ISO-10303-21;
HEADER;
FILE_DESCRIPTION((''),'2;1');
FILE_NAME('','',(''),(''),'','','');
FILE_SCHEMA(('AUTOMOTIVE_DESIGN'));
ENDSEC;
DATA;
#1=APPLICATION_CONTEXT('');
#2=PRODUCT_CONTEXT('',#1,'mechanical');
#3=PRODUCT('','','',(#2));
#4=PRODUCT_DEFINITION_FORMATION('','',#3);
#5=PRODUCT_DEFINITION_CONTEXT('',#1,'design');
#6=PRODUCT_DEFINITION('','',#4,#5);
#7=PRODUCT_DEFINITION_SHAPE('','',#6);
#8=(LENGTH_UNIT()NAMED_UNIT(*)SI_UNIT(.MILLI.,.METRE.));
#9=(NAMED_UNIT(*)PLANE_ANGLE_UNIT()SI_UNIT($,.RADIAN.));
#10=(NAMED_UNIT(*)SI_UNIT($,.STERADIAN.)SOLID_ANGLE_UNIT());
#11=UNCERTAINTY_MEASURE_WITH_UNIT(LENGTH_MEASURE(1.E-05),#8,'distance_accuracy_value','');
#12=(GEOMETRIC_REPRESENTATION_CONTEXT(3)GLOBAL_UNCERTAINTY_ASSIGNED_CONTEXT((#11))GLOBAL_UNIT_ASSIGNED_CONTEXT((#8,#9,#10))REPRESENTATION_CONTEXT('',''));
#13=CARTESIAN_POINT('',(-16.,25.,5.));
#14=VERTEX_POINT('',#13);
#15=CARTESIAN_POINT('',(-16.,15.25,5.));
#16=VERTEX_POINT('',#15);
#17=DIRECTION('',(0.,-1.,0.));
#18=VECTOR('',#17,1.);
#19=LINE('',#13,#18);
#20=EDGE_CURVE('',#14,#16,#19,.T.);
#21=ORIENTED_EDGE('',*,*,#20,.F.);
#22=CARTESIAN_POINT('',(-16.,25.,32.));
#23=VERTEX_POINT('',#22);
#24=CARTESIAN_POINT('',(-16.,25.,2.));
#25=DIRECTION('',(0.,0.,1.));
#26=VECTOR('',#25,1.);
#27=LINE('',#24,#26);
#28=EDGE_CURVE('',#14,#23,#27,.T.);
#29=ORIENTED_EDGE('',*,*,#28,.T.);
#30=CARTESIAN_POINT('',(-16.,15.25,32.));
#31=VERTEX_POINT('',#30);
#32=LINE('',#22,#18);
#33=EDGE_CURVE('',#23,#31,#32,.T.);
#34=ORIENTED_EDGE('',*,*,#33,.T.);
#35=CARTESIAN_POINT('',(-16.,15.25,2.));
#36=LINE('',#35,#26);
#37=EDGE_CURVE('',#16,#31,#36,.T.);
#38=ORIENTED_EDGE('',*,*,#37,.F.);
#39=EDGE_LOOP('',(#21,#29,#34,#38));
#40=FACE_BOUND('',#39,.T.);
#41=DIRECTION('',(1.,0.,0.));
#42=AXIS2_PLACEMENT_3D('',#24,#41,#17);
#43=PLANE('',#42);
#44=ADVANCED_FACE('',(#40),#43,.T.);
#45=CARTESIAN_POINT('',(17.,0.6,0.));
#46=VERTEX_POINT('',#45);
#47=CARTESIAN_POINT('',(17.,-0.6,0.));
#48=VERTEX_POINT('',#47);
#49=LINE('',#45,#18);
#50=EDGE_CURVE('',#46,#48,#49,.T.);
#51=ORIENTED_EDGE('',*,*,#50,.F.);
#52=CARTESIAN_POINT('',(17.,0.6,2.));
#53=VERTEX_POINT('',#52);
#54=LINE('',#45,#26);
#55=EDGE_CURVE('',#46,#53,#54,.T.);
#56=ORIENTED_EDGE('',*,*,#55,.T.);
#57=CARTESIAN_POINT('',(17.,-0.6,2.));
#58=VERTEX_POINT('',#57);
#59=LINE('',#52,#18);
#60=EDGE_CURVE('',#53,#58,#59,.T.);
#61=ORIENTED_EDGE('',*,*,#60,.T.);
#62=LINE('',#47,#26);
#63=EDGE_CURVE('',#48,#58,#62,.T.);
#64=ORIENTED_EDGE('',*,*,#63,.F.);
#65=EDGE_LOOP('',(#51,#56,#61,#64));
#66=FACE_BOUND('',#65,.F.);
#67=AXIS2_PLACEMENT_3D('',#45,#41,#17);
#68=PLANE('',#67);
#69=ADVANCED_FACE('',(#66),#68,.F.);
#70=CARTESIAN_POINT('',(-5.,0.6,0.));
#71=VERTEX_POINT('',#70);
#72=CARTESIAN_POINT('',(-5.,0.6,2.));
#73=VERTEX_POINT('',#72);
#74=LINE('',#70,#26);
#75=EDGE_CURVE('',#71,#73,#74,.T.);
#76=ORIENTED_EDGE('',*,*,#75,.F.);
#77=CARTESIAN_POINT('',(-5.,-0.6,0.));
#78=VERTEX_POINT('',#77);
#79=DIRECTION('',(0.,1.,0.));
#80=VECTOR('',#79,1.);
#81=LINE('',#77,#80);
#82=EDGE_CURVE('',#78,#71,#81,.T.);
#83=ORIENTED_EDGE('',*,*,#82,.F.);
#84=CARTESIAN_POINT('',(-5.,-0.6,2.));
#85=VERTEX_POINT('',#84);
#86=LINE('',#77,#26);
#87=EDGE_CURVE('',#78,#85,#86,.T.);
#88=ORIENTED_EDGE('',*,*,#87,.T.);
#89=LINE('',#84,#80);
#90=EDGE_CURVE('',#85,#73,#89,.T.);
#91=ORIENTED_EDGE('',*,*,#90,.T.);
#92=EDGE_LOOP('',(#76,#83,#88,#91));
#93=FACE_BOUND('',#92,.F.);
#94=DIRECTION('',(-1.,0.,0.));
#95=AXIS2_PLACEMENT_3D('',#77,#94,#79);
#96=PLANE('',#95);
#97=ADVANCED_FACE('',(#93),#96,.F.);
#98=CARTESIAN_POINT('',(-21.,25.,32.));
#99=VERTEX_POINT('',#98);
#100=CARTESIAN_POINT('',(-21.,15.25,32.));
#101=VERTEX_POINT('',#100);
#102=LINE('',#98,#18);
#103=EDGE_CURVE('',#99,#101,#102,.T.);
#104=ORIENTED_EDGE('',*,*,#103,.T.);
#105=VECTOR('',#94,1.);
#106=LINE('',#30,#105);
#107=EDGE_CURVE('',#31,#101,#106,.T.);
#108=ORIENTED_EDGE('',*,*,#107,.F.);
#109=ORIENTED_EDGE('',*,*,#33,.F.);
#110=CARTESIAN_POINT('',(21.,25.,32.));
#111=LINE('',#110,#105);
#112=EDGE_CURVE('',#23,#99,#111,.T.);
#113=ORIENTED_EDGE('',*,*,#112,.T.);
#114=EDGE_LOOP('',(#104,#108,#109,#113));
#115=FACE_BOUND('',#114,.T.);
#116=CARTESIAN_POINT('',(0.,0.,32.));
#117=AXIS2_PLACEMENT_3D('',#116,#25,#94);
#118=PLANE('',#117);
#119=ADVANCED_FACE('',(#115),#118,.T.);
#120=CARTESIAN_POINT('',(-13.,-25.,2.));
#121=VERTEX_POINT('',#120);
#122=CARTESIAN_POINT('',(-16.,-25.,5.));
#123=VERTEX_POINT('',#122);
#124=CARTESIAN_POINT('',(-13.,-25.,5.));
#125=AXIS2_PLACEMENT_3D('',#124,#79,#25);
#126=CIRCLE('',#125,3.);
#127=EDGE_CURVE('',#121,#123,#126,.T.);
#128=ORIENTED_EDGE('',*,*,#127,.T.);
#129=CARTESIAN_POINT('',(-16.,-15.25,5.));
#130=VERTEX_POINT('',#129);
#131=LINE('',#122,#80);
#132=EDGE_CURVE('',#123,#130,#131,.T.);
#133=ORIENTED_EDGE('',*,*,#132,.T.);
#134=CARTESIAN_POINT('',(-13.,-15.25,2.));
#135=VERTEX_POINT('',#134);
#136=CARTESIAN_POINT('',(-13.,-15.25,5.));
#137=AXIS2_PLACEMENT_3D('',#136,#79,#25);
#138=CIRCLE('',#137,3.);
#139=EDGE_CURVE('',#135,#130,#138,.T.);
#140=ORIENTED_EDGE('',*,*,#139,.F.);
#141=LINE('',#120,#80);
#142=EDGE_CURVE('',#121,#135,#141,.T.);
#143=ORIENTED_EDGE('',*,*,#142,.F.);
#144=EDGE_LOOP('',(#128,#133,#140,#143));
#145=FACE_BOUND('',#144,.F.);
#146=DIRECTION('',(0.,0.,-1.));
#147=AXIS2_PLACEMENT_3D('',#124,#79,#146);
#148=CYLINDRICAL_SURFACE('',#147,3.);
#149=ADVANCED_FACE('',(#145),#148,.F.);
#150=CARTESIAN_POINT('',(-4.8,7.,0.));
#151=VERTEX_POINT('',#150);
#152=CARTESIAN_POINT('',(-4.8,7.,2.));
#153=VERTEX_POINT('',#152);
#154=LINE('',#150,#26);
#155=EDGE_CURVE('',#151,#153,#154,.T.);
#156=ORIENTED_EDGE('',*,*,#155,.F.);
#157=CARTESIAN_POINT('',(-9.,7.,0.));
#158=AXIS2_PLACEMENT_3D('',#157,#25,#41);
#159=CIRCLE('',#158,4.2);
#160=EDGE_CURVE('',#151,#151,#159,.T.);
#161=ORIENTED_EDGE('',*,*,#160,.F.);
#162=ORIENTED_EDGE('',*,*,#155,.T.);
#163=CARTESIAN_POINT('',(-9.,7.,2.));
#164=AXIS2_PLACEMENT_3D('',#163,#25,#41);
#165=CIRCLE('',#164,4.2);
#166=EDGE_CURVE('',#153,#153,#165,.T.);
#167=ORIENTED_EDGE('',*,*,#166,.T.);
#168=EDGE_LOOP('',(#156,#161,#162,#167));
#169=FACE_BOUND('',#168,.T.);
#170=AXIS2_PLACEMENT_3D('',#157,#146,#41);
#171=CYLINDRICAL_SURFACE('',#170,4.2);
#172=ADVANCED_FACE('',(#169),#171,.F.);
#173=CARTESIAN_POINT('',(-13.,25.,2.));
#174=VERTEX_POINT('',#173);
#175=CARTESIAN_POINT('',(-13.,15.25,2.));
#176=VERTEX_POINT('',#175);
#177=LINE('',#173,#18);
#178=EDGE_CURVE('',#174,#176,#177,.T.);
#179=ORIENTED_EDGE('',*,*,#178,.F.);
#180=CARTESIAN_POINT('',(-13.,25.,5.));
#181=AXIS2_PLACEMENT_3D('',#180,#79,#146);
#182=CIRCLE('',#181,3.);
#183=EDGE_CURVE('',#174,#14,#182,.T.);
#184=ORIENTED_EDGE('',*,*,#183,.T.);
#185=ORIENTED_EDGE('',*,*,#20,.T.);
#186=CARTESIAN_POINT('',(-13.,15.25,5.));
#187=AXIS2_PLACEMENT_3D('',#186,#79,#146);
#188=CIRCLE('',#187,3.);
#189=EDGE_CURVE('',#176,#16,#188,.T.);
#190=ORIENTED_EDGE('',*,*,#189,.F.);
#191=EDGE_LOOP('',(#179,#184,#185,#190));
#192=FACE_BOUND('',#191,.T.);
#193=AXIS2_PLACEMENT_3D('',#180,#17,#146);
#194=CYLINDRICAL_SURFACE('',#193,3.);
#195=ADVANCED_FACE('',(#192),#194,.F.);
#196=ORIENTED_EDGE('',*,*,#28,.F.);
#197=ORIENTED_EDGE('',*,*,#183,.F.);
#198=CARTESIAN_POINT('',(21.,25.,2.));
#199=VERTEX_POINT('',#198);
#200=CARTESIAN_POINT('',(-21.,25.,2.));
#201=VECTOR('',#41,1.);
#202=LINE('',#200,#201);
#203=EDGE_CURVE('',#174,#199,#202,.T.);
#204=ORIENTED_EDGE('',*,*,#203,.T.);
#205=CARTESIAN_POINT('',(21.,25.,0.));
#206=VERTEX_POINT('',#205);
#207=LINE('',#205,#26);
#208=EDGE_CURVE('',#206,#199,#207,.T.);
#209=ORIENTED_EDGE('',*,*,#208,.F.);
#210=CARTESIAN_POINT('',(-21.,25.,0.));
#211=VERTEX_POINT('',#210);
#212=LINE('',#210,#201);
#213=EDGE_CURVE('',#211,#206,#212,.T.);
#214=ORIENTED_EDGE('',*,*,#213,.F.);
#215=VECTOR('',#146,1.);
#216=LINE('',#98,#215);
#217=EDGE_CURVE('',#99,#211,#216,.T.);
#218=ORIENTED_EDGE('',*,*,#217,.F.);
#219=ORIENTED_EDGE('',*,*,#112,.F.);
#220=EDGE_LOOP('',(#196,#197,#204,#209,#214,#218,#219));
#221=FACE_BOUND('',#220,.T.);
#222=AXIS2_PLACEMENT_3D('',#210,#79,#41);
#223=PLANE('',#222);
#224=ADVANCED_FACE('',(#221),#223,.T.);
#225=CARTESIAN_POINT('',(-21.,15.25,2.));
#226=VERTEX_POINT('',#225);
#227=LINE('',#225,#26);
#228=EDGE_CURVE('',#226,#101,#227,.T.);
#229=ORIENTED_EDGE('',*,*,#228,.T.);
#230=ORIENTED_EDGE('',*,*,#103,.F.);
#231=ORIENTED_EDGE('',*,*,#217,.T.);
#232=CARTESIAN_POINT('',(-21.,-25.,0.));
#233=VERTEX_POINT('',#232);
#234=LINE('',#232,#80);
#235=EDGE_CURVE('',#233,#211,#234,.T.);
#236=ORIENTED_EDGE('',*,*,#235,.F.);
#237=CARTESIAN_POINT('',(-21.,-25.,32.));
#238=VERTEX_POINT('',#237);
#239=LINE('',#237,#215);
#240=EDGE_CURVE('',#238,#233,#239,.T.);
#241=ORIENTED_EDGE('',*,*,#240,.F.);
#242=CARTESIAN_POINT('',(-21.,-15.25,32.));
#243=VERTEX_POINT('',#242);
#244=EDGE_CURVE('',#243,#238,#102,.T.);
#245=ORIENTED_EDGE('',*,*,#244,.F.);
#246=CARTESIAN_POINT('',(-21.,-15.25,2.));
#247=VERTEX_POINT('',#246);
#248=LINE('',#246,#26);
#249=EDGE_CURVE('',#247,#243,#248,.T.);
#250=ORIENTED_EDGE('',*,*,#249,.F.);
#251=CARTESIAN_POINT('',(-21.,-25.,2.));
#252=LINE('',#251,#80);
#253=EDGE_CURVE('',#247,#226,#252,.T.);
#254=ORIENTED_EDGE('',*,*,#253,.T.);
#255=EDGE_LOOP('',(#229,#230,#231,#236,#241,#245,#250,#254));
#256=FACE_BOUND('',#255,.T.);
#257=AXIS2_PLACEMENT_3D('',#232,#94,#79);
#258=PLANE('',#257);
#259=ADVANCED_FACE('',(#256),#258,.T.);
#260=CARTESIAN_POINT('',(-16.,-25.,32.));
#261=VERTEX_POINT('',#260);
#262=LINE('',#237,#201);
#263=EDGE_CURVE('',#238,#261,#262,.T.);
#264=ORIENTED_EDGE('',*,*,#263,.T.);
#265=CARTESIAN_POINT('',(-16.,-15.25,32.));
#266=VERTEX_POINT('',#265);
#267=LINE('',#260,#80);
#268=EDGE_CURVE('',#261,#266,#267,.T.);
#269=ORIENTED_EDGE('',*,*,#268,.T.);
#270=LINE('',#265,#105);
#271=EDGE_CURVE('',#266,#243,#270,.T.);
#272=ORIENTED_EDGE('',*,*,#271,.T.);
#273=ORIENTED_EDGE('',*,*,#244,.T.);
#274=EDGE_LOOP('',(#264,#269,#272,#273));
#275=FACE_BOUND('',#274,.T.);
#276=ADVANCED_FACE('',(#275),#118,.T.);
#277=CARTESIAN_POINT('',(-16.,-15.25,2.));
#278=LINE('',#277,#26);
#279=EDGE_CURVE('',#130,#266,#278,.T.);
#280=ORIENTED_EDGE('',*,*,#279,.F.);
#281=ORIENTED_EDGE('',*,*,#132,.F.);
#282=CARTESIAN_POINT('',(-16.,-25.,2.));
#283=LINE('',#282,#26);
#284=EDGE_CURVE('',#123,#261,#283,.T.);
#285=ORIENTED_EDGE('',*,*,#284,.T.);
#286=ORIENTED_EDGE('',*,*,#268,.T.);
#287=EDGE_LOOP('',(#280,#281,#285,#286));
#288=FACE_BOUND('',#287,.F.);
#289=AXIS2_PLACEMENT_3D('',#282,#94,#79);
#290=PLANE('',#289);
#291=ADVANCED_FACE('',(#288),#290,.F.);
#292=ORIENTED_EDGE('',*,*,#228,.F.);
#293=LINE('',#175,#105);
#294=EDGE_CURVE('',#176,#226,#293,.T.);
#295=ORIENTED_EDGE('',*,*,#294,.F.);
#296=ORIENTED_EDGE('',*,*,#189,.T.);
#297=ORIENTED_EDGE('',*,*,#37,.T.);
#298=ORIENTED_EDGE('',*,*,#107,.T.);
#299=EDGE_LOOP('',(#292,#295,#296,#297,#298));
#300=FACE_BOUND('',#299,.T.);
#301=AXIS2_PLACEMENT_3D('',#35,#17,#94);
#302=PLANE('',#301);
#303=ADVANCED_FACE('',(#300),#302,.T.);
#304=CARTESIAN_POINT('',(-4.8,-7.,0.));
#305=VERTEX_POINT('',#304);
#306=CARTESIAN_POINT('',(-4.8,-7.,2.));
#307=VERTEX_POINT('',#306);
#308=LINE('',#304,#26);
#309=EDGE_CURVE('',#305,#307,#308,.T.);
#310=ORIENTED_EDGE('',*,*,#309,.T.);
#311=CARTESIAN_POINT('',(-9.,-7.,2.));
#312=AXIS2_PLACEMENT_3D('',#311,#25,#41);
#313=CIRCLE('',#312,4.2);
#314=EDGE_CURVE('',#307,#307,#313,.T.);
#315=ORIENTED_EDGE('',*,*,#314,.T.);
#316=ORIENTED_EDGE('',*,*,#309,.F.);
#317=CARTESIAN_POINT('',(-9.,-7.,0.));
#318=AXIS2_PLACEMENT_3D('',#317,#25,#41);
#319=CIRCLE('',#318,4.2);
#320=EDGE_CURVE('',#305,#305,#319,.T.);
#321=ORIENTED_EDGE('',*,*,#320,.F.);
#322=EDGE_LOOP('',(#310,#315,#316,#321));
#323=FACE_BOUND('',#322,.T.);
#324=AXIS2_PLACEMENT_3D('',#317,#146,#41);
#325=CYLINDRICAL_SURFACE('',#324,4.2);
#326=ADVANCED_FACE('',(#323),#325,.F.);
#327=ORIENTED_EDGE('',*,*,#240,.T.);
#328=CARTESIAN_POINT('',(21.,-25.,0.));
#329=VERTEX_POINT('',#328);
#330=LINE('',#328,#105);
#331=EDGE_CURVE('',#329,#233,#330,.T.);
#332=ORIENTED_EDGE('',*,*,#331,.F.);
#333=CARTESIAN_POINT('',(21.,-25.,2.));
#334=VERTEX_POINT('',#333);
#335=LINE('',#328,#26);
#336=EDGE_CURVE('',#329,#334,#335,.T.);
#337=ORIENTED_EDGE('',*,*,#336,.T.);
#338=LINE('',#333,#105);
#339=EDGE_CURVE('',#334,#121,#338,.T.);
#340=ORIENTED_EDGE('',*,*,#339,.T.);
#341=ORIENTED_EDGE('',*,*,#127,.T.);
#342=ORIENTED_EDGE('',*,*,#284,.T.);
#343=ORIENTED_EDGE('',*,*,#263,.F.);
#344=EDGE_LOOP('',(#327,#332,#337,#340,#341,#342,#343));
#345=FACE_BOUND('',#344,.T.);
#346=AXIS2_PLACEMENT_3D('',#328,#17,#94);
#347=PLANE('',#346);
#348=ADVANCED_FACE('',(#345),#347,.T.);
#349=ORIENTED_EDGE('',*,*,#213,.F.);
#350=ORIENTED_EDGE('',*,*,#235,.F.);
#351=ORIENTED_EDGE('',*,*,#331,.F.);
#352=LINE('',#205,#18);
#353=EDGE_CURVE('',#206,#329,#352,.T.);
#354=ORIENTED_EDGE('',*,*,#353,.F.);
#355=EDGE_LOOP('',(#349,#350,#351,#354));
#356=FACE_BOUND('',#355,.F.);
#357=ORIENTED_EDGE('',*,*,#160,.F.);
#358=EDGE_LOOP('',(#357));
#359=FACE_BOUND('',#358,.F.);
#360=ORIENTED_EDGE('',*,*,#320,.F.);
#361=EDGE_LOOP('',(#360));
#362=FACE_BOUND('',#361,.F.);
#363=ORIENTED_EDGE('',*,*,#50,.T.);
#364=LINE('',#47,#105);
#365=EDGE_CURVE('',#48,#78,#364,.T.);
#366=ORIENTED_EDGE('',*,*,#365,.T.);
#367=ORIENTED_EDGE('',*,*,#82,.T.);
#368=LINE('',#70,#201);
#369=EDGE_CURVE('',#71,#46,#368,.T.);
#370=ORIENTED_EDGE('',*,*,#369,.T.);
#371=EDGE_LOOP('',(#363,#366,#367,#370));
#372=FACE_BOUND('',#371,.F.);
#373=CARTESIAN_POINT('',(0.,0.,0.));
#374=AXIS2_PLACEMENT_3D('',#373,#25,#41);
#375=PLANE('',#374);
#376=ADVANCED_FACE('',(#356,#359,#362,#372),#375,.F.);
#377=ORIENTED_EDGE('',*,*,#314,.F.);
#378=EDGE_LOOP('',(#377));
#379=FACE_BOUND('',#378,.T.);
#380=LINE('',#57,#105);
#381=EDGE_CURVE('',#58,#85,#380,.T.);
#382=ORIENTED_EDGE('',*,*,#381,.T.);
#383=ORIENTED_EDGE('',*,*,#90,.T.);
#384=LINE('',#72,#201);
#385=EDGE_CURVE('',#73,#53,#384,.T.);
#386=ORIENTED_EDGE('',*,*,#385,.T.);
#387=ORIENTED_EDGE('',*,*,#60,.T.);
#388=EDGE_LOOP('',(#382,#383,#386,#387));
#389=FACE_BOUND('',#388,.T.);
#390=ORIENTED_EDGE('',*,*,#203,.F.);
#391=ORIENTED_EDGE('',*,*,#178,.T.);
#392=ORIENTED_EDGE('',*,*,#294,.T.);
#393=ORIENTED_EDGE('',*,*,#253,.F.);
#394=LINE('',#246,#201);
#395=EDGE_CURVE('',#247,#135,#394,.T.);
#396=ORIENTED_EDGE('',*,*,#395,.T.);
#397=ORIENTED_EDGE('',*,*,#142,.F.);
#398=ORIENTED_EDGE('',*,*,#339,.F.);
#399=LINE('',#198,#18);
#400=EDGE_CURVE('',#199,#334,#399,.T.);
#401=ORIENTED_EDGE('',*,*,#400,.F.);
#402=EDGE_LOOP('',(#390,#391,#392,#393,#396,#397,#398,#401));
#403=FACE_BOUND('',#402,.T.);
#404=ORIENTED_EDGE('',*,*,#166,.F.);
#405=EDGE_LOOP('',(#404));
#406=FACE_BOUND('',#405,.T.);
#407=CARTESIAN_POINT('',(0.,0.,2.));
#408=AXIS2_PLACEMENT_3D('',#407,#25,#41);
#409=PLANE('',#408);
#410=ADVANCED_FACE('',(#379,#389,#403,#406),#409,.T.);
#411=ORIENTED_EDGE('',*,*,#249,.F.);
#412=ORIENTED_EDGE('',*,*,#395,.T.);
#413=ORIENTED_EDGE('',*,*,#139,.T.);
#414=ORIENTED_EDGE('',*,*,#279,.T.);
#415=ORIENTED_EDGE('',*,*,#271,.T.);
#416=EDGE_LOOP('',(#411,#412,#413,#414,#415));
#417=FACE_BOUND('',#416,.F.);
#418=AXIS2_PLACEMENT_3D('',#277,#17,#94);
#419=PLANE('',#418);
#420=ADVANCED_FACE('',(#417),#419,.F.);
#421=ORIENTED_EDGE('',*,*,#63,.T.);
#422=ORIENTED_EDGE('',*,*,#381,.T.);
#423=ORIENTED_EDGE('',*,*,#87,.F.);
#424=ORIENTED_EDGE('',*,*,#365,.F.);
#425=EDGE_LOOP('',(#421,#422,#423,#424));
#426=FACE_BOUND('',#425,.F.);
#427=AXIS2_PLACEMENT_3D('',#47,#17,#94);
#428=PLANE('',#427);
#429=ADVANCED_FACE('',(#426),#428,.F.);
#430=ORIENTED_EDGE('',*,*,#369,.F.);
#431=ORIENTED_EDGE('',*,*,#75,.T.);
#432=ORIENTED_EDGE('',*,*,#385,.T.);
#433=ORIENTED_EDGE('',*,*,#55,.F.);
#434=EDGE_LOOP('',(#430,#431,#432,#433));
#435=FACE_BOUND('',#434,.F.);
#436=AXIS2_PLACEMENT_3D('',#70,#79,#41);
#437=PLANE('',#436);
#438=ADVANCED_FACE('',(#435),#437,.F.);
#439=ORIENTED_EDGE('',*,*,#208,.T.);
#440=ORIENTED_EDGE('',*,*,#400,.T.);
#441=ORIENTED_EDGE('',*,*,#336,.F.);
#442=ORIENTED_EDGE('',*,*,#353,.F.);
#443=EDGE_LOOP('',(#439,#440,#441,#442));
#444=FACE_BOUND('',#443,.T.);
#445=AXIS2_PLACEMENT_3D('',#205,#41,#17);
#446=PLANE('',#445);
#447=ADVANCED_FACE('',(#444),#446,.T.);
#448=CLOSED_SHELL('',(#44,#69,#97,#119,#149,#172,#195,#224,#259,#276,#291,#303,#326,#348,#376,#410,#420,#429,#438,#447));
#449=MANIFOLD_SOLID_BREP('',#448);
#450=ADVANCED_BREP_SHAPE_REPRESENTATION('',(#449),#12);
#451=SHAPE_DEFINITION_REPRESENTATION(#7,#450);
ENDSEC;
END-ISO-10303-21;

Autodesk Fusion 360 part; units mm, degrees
sketch "Sketch1" plane through (0, 0, 0) normal (0, 0, 1) x (1, 0, 0)
  line L0 (21, -25) -> (-21, -25)
  line L1 (-21, -25) -> (-21, 25)
  line L2 (-21, 25) -> (21, 25)
  line L3 (21, 25) -> (21, -25)
  line L4 (21, -25) -> (-21, 25) construction
  line L5 (-21, -25) -> (21, 25) construction
  line L6 (-21, 0) -> (-9, 0) construction
  line L7 (-9, 0) -> (-9, -7) construction
  line L8 (-9, -7) -> (-21, -7) construction
  line L9 (-21, -7) -> (-21, 0) construction
  line L10 (-21, 0) -> (-9, 0) construction
  line L11 (-9, 0) -> (-9, 7) construction
  line L12 (-9, 7) -> (-21, 7) construction
  line L13 (-21, 7) -> (-21, 0) construction
  circle A0 centre (-9, 7) radius 4.2
  circle A1 centre (-9, -7) radius 4.2
  line L14 (-21, 0) -> (6, 0) construction
  line L15 (17, -0.6) -> (-5, -0.6)
  line L16 (-5, -0.6) -> (-5, 0.6)
  line L17 (-5, 0.6) -> (17, 0.6)
  line L18 (17, 0.6) -> (17, -0.6)
  line L19 (17, -0.6) -> (-5, 0.6) construction
  line L20 (-5, -0.6) -> (17, 0.6) construction
  point P0 (6, 0)
  dimension "d1" = 42
  dimension "d2" = 50
  dimension "d3" = 12
  dimension "d4" = 7
  dimension "d5" = 12
  dimension "d6" = 7
  dimension "d7" = 8.4
  dimension "d8" = 8.4
  dimension "d9" = 27
  dimension "d10" = 22
  dimension "d11" = 1.2
extrude "Extrude1" add sketch "Sketch1" along normal blind 2 makes body 1
sketch "Sketch2" plane through (0, 0, 2) normal (0, 0, 1) x (-1, 0, 0)
  line L0 (5, -0.6) -> (-17, -0.6)
  line L1 (-17, -0.6) -> (-17, 0.6)
  line L2 (-17, 0.6) -> (5, 0.6)
  line L3 (5, 0.6) -> (5, -0.6)
  circle A0 centre (9, 7) radius 4.2
  circle A1 centre (9, -7) radius 4.2
  line L4 (-21, -25) -> (21, -25)
  line L5 (21, -25) -> (21, 25)
  line L6 (21, 25) -> (-21, 25)
  line L7 (-21, 25) -> (-21, -25)
  line L8 (21, -25) -> (16, -25)
  line L9 (16, -25) -> (16, -15.25)
  line L10 (16, -15.25) -> (21, -15.25)
  line L11 (21, -15.25) -> (21, -25)
  line L12 (21, 25) -> (16, 25)
  line L13 (16, 25) -> (16, 15.25)
  line L14 (16, 15.25) -> (21, 15.25)
  line L15 (21, 15.25) -> (21, 25)
  dimension "d14" = 5
  dimension "d15" = 9.75
  dimension "d16" = 5
  dimension "d17" = 9.75
extrude "Extrude2" add sketch "Sketch2" along normal blind 30 contours L4 L5 L8 L9 L10 L11 | L5 L6 L12 L13 L14 L15 bodies 1
fillet "Fillet1" radius 3 2 edges at (-16, -20.125, 2) (-16, 20.125, 2) on bodies 1
copy_body "Body->Comp1" bodies 1 removing the originals makes body 2 in component "Slit"
component "Slit" placed x (1, 0, 0) y (0, 1, 0) z (0, 0, 1) at (0, 0, 0)
